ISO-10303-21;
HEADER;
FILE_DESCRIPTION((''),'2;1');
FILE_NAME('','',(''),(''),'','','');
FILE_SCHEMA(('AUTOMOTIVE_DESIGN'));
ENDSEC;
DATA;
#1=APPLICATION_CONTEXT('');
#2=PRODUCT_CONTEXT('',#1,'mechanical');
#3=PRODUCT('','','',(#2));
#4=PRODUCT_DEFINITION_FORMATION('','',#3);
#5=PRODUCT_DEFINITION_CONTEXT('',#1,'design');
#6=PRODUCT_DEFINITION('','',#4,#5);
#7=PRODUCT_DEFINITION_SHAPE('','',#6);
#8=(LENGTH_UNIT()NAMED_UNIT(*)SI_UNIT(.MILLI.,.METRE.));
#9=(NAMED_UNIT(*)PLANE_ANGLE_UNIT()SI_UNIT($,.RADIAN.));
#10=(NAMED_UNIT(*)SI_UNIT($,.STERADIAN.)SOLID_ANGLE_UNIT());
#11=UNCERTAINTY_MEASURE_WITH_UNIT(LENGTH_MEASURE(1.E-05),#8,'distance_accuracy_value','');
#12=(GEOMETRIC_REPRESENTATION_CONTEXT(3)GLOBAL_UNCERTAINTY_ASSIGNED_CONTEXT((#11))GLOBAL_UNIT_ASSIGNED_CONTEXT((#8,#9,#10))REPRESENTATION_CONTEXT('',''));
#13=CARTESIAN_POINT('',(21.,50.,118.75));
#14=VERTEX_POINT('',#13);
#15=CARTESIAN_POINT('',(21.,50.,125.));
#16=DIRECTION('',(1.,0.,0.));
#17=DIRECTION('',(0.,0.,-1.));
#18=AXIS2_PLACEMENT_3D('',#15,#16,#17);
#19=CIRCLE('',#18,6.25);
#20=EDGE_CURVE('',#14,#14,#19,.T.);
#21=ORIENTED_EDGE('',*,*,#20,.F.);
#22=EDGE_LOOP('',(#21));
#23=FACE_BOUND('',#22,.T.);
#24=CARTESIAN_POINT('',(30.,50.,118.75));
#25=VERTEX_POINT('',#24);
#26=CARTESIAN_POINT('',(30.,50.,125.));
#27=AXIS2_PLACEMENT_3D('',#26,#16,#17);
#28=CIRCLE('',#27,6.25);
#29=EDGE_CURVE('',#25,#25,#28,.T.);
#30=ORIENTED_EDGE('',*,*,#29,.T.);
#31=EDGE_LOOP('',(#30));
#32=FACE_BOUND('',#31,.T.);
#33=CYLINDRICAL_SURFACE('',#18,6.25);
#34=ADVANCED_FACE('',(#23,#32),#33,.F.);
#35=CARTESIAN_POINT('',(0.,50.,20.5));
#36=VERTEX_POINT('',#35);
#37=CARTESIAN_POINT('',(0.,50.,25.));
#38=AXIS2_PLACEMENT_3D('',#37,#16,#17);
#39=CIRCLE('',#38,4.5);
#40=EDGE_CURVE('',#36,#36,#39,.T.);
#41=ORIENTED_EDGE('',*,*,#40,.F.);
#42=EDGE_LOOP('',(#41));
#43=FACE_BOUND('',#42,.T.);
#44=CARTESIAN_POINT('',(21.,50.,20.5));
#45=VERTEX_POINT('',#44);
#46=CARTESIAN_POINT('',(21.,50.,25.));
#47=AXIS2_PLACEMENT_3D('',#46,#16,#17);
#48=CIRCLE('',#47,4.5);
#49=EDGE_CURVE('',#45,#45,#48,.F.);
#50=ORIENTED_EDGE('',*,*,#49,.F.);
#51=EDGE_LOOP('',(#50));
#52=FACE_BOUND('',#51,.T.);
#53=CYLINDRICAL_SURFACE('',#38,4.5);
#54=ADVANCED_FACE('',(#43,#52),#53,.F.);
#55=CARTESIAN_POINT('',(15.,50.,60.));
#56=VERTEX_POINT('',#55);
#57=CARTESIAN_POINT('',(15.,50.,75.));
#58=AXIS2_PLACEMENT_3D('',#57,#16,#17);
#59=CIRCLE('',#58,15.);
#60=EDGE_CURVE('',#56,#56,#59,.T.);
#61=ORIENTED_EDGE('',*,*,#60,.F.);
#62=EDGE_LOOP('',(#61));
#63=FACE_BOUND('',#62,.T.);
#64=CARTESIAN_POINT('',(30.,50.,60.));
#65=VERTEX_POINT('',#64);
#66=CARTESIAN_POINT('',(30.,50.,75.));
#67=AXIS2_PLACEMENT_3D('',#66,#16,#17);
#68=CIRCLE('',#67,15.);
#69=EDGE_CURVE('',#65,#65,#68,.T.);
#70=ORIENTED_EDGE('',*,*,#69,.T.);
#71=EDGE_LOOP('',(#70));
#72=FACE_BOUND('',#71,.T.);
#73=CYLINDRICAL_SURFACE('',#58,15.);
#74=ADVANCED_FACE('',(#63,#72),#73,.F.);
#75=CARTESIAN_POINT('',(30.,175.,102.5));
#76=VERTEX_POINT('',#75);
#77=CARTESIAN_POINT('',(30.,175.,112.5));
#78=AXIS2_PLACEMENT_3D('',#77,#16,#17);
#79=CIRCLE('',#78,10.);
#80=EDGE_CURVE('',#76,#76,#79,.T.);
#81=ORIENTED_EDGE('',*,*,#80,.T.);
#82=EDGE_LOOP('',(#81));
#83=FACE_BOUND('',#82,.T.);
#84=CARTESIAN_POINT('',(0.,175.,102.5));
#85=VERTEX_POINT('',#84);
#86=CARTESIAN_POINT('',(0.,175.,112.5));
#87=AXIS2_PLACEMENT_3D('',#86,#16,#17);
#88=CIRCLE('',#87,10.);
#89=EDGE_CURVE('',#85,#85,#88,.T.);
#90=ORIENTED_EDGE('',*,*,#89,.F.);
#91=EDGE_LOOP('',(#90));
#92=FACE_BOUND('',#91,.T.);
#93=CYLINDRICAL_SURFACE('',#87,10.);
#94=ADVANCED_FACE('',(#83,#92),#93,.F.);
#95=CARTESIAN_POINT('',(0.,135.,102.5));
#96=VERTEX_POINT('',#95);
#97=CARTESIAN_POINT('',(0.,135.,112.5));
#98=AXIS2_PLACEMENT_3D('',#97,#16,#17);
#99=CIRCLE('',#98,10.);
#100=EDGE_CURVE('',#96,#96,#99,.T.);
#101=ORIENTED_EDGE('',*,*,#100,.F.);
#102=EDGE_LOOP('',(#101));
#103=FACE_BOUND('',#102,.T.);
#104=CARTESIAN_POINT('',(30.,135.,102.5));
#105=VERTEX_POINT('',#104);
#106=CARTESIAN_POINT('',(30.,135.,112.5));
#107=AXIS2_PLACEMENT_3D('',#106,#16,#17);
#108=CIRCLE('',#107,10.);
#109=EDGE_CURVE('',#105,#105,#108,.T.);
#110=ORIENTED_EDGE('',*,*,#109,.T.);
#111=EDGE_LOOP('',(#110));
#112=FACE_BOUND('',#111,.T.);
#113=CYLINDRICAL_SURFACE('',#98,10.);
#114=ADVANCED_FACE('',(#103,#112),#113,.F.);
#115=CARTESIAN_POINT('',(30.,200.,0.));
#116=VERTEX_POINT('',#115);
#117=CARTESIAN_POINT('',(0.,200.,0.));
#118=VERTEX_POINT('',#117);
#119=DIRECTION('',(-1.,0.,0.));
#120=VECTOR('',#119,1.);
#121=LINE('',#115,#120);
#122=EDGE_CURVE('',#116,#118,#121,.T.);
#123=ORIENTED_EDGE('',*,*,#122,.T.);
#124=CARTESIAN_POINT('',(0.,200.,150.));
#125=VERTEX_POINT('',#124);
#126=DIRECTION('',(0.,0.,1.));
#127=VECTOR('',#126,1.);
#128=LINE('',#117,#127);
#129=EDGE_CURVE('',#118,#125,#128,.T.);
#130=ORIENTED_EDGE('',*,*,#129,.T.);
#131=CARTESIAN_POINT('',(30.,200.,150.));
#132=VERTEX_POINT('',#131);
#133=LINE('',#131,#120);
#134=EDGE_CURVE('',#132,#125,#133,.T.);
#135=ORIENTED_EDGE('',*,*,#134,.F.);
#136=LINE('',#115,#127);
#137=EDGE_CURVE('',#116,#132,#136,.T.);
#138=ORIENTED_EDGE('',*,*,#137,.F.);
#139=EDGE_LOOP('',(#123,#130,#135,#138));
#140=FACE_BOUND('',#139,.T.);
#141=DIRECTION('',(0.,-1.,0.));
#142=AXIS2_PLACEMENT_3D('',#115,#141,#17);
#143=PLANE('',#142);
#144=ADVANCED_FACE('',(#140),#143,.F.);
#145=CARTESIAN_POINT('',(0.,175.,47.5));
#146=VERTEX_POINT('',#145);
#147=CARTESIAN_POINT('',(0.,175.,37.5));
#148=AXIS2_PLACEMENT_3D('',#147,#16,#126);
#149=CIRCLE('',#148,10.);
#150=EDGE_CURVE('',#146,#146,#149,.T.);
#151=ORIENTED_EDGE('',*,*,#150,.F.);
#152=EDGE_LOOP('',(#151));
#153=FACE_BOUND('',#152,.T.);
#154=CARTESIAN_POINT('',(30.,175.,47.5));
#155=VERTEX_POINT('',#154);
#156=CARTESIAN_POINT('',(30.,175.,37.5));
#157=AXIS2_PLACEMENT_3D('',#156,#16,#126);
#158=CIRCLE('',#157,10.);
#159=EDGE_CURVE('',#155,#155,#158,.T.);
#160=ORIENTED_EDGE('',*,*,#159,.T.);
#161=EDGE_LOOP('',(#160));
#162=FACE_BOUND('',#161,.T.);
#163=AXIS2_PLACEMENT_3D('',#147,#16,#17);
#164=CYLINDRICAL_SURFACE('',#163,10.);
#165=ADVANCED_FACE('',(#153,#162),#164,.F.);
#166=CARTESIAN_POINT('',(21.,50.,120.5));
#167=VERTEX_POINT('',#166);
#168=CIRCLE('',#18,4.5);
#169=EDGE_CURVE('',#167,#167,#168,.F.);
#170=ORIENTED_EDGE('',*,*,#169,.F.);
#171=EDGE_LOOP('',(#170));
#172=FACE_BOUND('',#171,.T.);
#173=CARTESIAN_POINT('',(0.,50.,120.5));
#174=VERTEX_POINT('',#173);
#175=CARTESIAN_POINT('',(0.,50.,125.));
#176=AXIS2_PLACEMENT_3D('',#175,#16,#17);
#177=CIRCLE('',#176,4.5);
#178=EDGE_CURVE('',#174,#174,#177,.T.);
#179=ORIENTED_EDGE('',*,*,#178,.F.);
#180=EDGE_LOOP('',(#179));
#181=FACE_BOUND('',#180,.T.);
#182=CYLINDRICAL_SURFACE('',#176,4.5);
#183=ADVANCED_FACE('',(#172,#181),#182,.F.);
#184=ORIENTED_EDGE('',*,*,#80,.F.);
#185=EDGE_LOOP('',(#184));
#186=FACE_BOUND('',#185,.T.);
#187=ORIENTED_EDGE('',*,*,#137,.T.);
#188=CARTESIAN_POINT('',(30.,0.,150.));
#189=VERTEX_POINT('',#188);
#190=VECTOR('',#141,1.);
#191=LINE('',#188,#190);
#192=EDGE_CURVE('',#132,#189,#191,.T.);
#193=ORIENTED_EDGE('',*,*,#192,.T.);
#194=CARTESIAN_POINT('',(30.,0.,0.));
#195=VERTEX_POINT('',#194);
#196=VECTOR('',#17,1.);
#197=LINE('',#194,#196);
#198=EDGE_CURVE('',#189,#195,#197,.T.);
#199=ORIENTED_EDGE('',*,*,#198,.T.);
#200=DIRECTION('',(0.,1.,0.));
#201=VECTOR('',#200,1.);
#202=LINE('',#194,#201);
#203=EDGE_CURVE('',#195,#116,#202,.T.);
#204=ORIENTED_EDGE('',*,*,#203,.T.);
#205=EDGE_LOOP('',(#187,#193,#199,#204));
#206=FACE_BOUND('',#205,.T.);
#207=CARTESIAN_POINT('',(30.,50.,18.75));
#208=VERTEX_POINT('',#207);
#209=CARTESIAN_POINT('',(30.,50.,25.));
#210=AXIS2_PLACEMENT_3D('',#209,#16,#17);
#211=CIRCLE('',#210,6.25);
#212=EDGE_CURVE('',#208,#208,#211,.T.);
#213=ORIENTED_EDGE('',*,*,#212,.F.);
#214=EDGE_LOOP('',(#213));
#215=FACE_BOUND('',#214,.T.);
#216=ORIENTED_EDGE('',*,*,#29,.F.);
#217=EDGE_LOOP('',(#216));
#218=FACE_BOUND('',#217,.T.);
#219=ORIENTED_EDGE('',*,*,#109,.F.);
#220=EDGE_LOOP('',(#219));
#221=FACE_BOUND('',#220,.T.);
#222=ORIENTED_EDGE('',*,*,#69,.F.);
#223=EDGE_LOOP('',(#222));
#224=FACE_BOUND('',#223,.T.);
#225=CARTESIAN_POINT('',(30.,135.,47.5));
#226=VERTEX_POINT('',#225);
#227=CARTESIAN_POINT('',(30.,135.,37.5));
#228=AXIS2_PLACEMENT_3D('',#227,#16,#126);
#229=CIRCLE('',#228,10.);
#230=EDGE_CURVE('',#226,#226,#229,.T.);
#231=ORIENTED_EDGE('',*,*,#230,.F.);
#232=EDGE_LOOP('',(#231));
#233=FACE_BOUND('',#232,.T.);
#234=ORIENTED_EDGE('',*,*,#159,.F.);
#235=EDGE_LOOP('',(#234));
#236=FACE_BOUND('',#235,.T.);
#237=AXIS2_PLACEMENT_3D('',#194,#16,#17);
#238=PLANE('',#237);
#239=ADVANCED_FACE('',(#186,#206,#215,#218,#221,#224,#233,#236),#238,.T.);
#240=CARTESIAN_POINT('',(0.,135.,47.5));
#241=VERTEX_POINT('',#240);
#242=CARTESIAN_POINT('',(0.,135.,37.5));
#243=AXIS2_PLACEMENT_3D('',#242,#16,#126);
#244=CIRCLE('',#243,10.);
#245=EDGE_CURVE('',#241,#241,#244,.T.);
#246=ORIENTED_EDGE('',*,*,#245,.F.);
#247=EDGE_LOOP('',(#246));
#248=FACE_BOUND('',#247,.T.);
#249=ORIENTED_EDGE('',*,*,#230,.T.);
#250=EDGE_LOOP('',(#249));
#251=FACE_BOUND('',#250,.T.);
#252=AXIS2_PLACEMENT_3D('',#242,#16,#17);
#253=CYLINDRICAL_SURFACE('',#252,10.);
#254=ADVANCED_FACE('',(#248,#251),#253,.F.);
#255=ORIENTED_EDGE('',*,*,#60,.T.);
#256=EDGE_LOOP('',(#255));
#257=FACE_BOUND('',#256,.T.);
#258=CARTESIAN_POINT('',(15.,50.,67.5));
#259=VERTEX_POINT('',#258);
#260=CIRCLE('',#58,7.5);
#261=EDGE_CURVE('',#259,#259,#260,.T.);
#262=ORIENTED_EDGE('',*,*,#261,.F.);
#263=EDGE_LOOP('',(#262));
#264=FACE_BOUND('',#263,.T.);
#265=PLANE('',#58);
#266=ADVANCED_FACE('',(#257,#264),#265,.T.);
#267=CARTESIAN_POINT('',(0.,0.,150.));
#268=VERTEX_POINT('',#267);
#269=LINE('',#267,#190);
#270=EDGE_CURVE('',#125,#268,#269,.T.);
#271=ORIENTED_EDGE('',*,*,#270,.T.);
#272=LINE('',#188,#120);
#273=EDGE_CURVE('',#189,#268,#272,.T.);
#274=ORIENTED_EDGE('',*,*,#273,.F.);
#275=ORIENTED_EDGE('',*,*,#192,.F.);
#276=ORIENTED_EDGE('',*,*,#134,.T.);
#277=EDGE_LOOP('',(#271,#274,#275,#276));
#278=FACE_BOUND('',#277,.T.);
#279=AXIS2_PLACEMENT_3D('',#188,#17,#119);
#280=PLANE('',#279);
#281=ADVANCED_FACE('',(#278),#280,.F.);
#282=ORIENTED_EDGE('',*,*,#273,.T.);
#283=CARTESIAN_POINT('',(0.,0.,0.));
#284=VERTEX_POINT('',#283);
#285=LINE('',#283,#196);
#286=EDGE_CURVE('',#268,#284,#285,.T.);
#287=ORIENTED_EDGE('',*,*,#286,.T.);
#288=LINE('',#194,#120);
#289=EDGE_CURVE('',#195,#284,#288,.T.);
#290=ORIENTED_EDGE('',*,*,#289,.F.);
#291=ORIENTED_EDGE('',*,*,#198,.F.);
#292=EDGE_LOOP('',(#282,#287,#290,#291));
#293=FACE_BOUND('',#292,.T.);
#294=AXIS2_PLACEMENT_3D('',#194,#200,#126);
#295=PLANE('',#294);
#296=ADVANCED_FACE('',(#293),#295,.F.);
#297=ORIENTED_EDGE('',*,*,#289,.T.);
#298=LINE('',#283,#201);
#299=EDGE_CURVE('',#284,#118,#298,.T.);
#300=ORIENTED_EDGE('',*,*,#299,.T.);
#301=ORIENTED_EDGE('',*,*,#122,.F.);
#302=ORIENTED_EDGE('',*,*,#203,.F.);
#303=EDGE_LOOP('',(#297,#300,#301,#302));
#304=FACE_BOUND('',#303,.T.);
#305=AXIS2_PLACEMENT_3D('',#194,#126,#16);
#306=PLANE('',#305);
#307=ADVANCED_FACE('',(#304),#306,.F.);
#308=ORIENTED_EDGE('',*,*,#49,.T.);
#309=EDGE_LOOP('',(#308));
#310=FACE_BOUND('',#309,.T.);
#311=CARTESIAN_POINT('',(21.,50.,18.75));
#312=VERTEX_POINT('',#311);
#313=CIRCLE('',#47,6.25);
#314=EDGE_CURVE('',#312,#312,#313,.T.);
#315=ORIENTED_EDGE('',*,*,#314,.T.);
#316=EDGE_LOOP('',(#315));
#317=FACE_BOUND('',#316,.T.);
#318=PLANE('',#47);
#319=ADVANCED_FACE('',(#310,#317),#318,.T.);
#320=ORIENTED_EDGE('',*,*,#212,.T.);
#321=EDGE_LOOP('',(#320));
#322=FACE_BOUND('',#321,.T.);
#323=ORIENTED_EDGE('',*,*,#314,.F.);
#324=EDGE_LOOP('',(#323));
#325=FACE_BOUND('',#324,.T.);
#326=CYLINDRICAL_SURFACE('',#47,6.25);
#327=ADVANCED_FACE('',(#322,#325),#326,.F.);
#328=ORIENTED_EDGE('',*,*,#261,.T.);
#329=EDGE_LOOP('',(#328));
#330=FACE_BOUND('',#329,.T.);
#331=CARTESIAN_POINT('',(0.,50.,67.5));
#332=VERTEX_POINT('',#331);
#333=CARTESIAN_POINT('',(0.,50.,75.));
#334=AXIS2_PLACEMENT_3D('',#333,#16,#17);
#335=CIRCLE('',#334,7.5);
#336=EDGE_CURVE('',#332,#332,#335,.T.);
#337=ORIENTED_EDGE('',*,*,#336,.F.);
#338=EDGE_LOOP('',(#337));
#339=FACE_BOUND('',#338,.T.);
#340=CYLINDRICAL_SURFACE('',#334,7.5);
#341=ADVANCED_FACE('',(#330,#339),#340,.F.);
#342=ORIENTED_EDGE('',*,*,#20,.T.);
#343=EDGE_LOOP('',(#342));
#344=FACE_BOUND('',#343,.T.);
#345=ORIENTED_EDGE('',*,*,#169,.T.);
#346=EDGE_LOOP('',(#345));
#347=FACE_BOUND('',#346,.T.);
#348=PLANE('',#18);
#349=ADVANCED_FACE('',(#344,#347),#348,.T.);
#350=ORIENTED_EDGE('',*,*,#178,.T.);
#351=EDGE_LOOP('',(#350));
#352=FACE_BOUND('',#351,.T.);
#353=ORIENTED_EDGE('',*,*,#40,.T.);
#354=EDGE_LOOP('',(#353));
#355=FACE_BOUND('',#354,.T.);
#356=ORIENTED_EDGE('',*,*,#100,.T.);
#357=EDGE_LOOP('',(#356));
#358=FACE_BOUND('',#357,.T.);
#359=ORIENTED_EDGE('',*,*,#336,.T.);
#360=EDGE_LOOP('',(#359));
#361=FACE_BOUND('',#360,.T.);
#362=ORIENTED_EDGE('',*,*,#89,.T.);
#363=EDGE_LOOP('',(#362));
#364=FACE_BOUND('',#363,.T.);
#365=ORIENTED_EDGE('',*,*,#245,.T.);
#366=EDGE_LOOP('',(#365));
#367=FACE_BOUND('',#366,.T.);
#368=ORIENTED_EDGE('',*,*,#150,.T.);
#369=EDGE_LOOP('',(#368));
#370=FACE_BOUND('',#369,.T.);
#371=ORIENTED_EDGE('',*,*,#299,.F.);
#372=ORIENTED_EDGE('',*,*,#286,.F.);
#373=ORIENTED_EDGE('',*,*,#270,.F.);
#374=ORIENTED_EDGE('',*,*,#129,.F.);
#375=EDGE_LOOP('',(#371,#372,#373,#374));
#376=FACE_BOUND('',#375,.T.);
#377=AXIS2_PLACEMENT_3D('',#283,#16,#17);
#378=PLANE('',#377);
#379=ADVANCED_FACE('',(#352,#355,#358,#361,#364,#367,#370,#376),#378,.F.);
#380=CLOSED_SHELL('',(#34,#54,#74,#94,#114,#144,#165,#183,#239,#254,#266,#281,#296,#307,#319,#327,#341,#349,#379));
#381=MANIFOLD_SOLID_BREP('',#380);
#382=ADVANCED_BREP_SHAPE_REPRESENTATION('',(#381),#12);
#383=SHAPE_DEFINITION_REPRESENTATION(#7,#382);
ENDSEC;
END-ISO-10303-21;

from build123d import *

# Parameters (mm, degrees)
SKETCH2_W           = 150
SKETCH2_H           = 200
BOSS_EXTRUDE1_DEPTH = 30
SKETCH3_R           = 10
CUT_EXTRUDE1_DEPTH  = 30
SKETCH4_R           = 15
CUT_EXTRUDE2_DEPTH  = 15
SKETCH6_R           = 7.5
CUT_EXTRUDE3_DEPTH  = 30
SKETCH7_R           = 4.5
CUT_EXTRUDE4_DEPTH  = 30
SKETCH9_R           = 6.25
CUT_EXTRUDE6_DEPTH  = 9


with BuildPart() as part:
    # Sketch2 → Boss-Extrude1 (new body)
    with BuildSketch(Plane(origin=(0, 0, 0), x_dir=(0, 0, -1), z_dir=(1, 0, 0))):
        with Locations((-75, 100)):
            Rectangle(SKETCH2_W, SKETCH2_H)
    extrude(amount=BOSS_EXTRUDE1_DEPTH)

    # Sketch3 → Cut-Extrude1 (cut)
    with BuildSketch(Plane(origin=(30, 0, 0), x_dir=(0, 0, -1), z_dir=(1, 0, 0))):
        with Locations((-112.5, 175)):
            Circle(SKETCH3_R)
        with Locations(Location((-37.5, 175, 0), (0, 0, 180))):
            Circle(SKETCH3_R)
        with Locations((-112.5, 135)):
            Circle(SKETCH3_R)
        with Locations(Location((-37.5, 135, 0), (0, 0, 180))):
            Circle(SKETCH3_R)
    extrude(amount=-CUT_EXTRUDE1_DEPTH, mode=Mode.SUBTRACT)

    # Sketch4 → Cut-Extrude2 (cut)
    with BuildSketch(Plane(origin=(30, 0, 0), x_dir=(0, 0, -1), z_dir=(1, 0, 0))):
        with Locations((-75, 50)):
            Circle(SKETCH4_R)
    extrude(amount=-CUT_EXTRUDE2_DEPTH, mode=Mode.SUBTRACT)

    # Sketch6 → Cut-Extrude3 (cut)
    with BuildSketch(Plane(origin=(30, 0, 0), x_dir=(0, 0, -1), z_dir=(1, 0, 0))):
        with Locations((-75, 50)):
            Circle(SKETCH6_R)
    extrude(amount=-CUT_EXTRUDE3_DEPTH, mode=Mode.SUBTRACT)

    # Sketch7 → Cut-Extrude4 (cut)
    with BuildSketch(Plane(origin=(30, 0, 0), x_dir=(0, 0, -1), z_dir=(1, 0, 0))):
        with Locations((-125, 50)):
            Circle(SKETCH7_R)
        with Locations((-25, 50)):
            Circle(SKETCH7_R)
    extrude(amount=-CUT_EXTRUDE4_DEPTH, mode=Mode.SUBTRACT)

    # Sketch9 → Cut-Extrude6 (cut)
    with BuildSketch(Plane(origin=(30, 0, 0), x_dir=(0, 0, -1), z_dir=(1, 0, 0))):
        with Locations((-125, 50)):
            Circle(SKETCH9_R)
        with Locations((-25, 50)):
            Circle(SKETCH9_R)
    extrude(amount=-CUT_EXTRUDE6_DEPTH, mode=Mode.SUBTRACT)


solid = part.part
